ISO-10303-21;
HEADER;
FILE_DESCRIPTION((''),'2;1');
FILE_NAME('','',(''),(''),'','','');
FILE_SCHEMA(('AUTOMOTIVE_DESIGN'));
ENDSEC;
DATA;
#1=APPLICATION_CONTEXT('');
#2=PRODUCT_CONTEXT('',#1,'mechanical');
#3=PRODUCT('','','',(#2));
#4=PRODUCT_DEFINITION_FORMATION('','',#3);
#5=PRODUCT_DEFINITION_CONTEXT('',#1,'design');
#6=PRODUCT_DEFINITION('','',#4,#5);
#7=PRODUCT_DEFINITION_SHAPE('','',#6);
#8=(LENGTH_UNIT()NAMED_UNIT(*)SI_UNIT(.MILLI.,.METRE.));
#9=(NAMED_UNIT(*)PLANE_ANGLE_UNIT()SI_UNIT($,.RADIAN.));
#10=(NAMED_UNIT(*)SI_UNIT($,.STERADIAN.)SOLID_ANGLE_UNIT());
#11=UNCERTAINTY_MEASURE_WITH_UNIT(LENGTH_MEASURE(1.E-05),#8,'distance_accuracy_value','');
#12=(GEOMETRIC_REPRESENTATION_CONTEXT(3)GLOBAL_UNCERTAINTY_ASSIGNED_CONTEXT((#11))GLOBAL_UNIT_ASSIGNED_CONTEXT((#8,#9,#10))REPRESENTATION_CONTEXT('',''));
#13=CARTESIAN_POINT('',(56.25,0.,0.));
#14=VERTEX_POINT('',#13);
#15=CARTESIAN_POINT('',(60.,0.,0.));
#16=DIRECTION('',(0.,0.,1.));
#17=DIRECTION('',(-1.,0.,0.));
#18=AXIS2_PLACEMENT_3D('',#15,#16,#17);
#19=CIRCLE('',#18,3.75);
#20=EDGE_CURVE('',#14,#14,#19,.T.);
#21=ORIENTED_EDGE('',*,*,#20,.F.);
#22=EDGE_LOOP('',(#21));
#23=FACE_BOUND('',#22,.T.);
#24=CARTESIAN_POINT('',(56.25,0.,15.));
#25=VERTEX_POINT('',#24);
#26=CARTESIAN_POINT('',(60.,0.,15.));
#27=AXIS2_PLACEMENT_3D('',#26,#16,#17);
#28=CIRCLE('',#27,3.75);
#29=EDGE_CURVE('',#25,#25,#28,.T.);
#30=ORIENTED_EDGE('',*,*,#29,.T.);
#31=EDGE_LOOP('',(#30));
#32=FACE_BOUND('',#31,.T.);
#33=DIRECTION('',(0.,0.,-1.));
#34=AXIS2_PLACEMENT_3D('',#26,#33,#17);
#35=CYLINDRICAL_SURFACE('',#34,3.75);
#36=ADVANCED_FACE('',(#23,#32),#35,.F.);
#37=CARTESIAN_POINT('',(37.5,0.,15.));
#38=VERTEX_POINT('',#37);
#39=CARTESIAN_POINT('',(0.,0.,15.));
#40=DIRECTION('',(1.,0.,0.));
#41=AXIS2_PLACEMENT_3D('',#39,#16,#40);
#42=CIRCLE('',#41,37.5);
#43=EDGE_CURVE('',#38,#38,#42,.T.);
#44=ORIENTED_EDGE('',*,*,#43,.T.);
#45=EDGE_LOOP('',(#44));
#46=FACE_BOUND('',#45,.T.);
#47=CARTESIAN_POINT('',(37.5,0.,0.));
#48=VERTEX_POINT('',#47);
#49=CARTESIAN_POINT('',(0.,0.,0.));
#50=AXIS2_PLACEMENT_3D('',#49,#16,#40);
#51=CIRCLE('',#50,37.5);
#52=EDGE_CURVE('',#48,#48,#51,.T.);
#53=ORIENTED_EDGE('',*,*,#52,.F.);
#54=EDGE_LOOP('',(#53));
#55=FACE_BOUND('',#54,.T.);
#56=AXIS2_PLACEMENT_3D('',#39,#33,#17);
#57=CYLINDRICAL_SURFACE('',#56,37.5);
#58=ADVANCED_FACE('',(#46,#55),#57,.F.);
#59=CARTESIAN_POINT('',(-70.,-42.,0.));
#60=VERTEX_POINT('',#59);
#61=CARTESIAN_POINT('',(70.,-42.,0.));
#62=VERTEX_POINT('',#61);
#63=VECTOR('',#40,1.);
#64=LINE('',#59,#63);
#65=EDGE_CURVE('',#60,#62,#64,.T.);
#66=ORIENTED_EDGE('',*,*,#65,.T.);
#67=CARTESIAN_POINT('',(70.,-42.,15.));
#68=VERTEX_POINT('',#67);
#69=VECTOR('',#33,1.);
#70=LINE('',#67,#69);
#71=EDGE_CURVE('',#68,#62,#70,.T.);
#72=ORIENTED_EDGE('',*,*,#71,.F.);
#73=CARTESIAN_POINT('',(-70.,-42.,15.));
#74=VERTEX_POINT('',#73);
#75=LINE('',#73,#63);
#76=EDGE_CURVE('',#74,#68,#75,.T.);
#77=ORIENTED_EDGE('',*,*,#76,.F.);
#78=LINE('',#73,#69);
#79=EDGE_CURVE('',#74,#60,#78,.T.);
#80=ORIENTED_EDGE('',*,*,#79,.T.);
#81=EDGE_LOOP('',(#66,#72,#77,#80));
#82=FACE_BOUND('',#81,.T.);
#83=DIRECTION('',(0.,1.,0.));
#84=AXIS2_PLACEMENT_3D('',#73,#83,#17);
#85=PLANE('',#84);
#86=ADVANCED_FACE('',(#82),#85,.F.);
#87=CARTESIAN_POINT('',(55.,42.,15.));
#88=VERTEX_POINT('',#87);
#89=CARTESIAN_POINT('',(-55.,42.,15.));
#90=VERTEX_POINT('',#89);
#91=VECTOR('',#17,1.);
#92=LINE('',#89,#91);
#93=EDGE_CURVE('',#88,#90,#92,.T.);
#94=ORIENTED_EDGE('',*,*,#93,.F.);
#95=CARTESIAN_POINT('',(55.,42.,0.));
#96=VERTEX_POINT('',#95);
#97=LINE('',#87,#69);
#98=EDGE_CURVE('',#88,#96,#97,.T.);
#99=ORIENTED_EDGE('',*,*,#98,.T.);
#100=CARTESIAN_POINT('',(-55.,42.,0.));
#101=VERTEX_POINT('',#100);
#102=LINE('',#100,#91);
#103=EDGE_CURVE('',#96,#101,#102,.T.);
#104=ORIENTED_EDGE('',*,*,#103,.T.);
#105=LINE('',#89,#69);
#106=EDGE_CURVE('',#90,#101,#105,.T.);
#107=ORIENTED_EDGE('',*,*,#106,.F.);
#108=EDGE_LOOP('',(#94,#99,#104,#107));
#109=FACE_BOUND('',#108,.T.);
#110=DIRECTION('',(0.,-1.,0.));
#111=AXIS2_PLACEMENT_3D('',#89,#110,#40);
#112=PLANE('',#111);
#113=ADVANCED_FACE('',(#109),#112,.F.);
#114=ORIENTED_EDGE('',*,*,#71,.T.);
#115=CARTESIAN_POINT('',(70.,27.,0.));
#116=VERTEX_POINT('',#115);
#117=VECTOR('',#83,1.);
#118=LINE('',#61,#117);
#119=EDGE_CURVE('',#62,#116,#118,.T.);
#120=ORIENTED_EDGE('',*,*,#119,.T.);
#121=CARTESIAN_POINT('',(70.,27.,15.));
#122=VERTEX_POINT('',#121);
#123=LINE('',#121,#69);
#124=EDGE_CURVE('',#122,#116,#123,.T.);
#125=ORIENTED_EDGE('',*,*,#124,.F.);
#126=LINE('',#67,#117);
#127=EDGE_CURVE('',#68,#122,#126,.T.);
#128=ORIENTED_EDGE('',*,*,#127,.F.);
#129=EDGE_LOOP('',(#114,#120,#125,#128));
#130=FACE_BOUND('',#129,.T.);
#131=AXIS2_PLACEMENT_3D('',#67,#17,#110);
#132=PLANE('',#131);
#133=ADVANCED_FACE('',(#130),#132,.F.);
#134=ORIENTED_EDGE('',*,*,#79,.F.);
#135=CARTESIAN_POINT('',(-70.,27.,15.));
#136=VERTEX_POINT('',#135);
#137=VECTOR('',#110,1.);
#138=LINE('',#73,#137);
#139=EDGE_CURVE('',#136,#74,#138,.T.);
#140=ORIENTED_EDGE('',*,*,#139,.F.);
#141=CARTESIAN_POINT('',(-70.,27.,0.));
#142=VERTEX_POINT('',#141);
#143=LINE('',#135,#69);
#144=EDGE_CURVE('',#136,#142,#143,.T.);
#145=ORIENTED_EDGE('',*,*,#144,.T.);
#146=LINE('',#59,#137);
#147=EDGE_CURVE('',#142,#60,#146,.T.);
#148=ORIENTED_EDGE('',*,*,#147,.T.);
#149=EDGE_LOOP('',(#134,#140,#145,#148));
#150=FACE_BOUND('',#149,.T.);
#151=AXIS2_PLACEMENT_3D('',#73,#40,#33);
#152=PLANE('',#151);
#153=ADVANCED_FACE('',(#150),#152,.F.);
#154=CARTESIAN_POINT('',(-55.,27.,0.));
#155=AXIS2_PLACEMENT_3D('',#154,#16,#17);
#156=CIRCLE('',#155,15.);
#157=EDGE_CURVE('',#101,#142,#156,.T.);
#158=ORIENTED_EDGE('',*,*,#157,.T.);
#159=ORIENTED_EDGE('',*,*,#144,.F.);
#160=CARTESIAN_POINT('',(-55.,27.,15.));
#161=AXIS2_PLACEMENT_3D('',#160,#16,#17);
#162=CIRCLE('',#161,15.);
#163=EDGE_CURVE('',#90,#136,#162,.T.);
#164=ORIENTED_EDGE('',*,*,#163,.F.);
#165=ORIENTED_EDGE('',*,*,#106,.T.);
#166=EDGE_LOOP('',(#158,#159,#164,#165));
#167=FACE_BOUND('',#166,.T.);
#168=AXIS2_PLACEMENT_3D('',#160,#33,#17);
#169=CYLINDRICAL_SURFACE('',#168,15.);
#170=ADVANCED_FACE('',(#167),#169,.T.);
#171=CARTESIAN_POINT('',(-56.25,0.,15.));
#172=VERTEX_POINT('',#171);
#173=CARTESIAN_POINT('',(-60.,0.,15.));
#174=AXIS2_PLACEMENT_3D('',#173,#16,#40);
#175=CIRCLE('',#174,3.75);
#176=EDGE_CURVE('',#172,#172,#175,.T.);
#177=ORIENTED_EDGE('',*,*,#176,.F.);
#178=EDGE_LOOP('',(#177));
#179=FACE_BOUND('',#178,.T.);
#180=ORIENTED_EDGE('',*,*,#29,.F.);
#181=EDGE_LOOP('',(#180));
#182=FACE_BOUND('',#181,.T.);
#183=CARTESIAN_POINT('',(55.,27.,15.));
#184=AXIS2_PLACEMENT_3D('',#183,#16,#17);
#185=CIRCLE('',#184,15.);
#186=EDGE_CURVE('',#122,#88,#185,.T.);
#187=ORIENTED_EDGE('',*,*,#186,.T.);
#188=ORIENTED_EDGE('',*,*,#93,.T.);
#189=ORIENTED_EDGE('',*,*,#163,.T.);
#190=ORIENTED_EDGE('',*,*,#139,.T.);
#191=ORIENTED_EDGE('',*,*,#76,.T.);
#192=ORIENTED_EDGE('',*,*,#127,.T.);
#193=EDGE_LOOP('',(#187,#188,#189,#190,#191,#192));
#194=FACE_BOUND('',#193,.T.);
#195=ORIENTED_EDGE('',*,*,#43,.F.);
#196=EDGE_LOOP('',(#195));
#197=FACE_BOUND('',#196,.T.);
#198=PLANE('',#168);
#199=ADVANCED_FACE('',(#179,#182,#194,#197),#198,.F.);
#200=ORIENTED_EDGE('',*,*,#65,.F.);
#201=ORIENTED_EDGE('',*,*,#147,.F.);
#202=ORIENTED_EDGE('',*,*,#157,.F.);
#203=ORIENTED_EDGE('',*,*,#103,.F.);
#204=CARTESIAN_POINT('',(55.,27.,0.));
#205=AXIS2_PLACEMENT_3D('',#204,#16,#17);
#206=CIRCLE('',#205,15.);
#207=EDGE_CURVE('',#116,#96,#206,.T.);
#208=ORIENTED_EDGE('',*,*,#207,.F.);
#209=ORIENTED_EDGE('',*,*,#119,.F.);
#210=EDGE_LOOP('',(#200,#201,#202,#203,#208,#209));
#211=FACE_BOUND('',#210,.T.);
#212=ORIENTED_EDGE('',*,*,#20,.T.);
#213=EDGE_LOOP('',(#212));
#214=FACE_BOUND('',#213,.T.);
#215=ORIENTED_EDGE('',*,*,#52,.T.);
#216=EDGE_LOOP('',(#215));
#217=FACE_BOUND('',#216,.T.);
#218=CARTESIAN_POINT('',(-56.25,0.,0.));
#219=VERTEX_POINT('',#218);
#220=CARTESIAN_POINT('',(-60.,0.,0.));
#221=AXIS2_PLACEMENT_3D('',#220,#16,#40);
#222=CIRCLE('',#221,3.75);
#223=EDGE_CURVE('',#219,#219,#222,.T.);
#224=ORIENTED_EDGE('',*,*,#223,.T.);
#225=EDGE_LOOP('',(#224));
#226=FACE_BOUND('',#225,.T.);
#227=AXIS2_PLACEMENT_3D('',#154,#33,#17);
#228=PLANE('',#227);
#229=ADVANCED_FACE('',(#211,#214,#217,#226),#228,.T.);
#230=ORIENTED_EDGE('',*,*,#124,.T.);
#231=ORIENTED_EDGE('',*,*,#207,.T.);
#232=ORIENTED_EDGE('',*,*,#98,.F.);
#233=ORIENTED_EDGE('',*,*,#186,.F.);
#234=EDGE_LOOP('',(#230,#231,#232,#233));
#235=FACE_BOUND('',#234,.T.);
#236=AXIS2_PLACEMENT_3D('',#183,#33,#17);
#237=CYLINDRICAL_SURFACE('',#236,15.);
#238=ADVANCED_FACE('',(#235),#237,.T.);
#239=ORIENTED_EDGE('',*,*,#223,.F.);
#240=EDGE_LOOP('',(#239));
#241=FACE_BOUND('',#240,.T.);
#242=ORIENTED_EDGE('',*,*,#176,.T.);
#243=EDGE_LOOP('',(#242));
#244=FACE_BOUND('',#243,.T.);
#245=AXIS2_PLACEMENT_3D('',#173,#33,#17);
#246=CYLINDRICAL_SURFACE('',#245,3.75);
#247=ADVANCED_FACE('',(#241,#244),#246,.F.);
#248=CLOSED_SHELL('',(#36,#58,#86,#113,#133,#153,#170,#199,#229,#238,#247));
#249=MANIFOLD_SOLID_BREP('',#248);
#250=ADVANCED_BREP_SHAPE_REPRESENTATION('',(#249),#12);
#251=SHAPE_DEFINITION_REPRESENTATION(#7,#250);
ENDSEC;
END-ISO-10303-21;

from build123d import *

# Parameters (mm, degrees)
SKETCH1_R           = 37.5
SKETCH1_R_2         = 3.75
BOSS_EXTRUDE1_DEPTH = 15


with BuildPart() as part:
    # Sketch1 → Boss-Extrude1 (new body)
    with BuildSketch(Plane.XY):
        with BuildLine():
            Line((-70, -42), (70, -42))
            Line((70, -42), (70, 27))
            ThreePointArc((70, 27), (65.606601718, 37.606601718), (55, 42))
            Line((55, 42), (-55, 42))
            ThreePointArc((-55, 42), (-65.606601718, 37.606601718), (-70, 27))
            Line((-70, 27), (-70, -42))
        make_face()
        Circle(SKETCH1_R, mode=Mode.SUBTRACT)
        with Locations((-60, 0)):
            Circle(SKETCH1_R_2, mode=Mode.SUBTRACT)
        with Locations(Location((60, 0, 0), (0, 0, 180))):
            Circle(SKETCH1_R_2, mode=Mode.SUBTRACT)
    extrude(amount=BOSS_EXTRUDE1_DEPTH)


solid = part.part
